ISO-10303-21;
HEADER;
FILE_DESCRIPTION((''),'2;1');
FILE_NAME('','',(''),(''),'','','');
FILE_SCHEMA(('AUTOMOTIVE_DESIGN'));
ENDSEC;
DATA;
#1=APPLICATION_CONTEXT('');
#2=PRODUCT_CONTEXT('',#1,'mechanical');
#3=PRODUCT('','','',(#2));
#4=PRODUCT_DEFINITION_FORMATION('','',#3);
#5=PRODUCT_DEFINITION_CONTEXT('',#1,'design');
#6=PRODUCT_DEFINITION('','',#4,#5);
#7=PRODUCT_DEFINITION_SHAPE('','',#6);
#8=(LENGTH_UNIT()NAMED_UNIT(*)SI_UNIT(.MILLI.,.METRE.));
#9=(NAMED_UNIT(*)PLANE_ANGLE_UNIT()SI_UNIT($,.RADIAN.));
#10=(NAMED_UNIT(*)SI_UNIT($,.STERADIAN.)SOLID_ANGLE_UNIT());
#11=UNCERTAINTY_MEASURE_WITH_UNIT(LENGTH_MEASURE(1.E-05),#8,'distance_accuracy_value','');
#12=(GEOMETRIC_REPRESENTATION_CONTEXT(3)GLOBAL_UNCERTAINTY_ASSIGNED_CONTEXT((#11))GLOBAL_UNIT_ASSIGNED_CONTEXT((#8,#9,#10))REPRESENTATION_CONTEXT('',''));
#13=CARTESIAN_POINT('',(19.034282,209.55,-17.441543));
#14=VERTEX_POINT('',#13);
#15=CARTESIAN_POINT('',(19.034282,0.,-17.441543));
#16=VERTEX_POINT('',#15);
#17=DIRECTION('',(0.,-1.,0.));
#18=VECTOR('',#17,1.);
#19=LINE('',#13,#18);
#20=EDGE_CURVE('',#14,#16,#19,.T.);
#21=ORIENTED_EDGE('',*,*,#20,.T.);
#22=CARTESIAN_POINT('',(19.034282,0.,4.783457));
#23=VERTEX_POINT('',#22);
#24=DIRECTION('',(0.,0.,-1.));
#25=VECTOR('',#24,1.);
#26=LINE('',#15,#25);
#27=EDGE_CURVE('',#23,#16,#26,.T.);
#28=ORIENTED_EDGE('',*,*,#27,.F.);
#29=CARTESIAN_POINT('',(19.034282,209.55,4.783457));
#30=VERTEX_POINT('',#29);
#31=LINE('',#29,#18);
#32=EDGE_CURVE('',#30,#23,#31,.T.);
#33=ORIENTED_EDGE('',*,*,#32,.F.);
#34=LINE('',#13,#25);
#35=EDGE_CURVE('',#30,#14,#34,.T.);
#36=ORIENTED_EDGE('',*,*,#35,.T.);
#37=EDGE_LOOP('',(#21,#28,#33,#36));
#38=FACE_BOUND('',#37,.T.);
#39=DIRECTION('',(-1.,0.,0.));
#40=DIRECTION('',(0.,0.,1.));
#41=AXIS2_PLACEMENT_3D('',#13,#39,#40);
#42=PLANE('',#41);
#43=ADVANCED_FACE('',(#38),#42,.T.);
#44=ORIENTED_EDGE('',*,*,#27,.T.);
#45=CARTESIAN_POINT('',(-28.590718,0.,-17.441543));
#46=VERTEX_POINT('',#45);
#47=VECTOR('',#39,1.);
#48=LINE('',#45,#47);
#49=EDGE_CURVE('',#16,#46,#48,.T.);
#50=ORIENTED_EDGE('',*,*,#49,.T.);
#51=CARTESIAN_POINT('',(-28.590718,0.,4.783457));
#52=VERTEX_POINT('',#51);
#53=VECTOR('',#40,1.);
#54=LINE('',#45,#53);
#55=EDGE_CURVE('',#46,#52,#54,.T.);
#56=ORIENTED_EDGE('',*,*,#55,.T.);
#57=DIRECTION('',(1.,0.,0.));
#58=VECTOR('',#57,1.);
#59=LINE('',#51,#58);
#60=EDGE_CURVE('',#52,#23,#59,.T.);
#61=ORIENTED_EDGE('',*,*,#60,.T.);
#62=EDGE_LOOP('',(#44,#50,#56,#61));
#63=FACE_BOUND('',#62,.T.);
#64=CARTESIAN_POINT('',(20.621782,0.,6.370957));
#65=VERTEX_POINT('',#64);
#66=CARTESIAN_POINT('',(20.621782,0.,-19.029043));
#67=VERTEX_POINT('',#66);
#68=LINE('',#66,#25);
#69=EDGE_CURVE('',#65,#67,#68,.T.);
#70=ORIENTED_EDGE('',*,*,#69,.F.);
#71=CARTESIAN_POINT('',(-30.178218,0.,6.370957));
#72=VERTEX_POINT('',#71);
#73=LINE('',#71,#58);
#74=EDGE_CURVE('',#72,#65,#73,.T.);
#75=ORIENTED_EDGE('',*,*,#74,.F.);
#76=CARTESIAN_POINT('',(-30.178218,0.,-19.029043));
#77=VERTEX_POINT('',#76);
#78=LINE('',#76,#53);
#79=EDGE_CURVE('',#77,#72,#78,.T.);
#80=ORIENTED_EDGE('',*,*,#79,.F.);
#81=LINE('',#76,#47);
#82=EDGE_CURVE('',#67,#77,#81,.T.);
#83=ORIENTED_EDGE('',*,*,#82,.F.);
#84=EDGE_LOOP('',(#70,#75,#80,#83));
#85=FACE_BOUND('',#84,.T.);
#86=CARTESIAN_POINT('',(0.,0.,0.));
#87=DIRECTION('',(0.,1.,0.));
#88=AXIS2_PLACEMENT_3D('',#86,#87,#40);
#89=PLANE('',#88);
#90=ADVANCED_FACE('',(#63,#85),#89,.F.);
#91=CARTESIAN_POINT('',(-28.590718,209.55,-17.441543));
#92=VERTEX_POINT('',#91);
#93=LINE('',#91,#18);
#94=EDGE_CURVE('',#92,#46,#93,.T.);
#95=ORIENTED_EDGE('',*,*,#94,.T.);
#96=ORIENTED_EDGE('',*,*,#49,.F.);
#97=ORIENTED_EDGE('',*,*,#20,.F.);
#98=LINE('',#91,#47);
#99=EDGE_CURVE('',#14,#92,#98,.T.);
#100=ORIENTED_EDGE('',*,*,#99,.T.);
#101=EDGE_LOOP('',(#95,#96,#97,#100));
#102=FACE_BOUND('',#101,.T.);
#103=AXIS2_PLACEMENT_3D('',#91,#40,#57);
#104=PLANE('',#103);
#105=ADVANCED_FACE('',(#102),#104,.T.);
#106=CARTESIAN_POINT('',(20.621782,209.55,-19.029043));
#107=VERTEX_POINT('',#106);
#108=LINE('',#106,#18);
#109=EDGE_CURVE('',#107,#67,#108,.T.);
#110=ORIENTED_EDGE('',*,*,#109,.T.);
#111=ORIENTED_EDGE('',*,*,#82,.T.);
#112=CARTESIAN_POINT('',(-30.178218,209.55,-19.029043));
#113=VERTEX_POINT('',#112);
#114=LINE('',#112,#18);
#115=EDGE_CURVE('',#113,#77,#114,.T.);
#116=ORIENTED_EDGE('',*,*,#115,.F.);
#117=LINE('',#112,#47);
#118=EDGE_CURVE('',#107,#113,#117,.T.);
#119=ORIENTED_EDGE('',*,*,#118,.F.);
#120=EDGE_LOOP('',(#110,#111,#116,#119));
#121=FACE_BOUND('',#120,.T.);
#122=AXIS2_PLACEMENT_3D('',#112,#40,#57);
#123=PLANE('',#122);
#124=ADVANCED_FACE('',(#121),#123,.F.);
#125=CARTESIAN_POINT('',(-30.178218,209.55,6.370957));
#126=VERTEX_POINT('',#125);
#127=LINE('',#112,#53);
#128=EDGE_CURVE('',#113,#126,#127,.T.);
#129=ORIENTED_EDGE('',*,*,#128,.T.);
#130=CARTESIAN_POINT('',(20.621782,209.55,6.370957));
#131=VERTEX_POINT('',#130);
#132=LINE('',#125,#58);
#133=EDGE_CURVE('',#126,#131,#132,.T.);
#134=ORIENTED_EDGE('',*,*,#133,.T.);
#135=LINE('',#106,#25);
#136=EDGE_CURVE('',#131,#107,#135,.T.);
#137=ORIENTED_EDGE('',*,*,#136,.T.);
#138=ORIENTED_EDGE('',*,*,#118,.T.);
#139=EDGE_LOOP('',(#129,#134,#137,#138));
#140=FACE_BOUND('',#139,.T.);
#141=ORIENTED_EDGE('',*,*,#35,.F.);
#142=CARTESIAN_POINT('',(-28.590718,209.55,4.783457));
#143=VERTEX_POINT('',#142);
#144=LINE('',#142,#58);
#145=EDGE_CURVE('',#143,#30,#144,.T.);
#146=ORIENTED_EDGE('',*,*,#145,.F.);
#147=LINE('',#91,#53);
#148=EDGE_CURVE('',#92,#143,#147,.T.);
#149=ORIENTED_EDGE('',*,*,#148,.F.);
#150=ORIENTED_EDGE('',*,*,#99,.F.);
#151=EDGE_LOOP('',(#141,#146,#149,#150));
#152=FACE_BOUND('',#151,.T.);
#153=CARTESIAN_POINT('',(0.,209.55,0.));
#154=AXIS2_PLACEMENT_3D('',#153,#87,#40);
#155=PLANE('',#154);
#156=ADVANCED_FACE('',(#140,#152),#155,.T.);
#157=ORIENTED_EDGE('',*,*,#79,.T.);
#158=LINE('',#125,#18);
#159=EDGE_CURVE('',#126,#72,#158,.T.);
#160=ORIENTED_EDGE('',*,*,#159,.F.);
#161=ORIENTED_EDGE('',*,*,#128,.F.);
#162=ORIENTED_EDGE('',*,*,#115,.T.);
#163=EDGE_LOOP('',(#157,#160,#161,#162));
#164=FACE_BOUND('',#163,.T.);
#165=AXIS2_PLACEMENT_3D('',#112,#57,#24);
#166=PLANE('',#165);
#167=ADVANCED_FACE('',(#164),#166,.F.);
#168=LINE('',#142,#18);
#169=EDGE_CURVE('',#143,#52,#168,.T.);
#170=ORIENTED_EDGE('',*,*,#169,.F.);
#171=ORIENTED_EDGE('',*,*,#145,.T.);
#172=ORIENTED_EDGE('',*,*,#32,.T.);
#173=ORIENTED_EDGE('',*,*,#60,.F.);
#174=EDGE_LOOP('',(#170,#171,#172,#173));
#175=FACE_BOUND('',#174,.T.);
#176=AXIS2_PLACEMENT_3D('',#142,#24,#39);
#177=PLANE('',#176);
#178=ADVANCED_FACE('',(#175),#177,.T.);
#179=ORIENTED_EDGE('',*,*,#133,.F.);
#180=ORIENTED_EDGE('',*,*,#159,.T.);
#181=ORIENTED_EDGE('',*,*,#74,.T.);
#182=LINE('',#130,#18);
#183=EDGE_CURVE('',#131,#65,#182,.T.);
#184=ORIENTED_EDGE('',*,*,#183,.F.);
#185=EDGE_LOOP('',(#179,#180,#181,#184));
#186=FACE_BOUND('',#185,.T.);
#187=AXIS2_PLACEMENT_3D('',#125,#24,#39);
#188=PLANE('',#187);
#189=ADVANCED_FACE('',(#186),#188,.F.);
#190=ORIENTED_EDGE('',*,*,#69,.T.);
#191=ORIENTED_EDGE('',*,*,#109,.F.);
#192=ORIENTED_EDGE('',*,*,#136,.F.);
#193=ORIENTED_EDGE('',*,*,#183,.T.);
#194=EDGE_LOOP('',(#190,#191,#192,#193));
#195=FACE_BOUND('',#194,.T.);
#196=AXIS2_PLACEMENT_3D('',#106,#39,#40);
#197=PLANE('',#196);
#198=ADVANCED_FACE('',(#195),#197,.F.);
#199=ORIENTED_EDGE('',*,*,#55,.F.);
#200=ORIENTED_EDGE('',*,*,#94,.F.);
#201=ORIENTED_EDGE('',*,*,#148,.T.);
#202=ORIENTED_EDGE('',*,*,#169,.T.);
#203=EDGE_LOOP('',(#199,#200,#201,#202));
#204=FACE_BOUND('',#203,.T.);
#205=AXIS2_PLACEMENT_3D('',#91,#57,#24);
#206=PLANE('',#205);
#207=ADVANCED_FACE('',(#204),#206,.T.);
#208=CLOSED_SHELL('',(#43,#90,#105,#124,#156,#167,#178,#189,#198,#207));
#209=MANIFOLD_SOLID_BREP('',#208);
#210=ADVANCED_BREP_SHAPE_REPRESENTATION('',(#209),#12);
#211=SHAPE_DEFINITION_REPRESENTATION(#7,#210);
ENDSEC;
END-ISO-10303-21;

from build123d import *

# Parameters (mm, degrees)
SKETCH1_W           = 50.8
SKETCH1_H           = 25.4
SKETCH1_W_2         = 47.625
SKETCH1_H_2         = 22.225
BOSS_EXTRUDE1_DEPTH = 209.55


with BuildPart() as part:
    # Sketch1 → Boss-Extrude1 (new body)
    with BuildSketch(Plane(origin=(0, 0, 0), x_dir=(1, 0, 0), z_dir=(0, 1, 0))):
        with Locations((-4.778217822, 6.329042904)):
            Rectangle(SKETCH1_W, SKETCH1_H)
        with Locations((-4.778217822, 6.329042904)):
            Rectangle(SKETCH1_W_2, SKETCH1_H_2, mode=Mode.SUBTRACT)
    extrude(amount=BOSS_EXTRUDE1_DEPTH)


solid = part.part
